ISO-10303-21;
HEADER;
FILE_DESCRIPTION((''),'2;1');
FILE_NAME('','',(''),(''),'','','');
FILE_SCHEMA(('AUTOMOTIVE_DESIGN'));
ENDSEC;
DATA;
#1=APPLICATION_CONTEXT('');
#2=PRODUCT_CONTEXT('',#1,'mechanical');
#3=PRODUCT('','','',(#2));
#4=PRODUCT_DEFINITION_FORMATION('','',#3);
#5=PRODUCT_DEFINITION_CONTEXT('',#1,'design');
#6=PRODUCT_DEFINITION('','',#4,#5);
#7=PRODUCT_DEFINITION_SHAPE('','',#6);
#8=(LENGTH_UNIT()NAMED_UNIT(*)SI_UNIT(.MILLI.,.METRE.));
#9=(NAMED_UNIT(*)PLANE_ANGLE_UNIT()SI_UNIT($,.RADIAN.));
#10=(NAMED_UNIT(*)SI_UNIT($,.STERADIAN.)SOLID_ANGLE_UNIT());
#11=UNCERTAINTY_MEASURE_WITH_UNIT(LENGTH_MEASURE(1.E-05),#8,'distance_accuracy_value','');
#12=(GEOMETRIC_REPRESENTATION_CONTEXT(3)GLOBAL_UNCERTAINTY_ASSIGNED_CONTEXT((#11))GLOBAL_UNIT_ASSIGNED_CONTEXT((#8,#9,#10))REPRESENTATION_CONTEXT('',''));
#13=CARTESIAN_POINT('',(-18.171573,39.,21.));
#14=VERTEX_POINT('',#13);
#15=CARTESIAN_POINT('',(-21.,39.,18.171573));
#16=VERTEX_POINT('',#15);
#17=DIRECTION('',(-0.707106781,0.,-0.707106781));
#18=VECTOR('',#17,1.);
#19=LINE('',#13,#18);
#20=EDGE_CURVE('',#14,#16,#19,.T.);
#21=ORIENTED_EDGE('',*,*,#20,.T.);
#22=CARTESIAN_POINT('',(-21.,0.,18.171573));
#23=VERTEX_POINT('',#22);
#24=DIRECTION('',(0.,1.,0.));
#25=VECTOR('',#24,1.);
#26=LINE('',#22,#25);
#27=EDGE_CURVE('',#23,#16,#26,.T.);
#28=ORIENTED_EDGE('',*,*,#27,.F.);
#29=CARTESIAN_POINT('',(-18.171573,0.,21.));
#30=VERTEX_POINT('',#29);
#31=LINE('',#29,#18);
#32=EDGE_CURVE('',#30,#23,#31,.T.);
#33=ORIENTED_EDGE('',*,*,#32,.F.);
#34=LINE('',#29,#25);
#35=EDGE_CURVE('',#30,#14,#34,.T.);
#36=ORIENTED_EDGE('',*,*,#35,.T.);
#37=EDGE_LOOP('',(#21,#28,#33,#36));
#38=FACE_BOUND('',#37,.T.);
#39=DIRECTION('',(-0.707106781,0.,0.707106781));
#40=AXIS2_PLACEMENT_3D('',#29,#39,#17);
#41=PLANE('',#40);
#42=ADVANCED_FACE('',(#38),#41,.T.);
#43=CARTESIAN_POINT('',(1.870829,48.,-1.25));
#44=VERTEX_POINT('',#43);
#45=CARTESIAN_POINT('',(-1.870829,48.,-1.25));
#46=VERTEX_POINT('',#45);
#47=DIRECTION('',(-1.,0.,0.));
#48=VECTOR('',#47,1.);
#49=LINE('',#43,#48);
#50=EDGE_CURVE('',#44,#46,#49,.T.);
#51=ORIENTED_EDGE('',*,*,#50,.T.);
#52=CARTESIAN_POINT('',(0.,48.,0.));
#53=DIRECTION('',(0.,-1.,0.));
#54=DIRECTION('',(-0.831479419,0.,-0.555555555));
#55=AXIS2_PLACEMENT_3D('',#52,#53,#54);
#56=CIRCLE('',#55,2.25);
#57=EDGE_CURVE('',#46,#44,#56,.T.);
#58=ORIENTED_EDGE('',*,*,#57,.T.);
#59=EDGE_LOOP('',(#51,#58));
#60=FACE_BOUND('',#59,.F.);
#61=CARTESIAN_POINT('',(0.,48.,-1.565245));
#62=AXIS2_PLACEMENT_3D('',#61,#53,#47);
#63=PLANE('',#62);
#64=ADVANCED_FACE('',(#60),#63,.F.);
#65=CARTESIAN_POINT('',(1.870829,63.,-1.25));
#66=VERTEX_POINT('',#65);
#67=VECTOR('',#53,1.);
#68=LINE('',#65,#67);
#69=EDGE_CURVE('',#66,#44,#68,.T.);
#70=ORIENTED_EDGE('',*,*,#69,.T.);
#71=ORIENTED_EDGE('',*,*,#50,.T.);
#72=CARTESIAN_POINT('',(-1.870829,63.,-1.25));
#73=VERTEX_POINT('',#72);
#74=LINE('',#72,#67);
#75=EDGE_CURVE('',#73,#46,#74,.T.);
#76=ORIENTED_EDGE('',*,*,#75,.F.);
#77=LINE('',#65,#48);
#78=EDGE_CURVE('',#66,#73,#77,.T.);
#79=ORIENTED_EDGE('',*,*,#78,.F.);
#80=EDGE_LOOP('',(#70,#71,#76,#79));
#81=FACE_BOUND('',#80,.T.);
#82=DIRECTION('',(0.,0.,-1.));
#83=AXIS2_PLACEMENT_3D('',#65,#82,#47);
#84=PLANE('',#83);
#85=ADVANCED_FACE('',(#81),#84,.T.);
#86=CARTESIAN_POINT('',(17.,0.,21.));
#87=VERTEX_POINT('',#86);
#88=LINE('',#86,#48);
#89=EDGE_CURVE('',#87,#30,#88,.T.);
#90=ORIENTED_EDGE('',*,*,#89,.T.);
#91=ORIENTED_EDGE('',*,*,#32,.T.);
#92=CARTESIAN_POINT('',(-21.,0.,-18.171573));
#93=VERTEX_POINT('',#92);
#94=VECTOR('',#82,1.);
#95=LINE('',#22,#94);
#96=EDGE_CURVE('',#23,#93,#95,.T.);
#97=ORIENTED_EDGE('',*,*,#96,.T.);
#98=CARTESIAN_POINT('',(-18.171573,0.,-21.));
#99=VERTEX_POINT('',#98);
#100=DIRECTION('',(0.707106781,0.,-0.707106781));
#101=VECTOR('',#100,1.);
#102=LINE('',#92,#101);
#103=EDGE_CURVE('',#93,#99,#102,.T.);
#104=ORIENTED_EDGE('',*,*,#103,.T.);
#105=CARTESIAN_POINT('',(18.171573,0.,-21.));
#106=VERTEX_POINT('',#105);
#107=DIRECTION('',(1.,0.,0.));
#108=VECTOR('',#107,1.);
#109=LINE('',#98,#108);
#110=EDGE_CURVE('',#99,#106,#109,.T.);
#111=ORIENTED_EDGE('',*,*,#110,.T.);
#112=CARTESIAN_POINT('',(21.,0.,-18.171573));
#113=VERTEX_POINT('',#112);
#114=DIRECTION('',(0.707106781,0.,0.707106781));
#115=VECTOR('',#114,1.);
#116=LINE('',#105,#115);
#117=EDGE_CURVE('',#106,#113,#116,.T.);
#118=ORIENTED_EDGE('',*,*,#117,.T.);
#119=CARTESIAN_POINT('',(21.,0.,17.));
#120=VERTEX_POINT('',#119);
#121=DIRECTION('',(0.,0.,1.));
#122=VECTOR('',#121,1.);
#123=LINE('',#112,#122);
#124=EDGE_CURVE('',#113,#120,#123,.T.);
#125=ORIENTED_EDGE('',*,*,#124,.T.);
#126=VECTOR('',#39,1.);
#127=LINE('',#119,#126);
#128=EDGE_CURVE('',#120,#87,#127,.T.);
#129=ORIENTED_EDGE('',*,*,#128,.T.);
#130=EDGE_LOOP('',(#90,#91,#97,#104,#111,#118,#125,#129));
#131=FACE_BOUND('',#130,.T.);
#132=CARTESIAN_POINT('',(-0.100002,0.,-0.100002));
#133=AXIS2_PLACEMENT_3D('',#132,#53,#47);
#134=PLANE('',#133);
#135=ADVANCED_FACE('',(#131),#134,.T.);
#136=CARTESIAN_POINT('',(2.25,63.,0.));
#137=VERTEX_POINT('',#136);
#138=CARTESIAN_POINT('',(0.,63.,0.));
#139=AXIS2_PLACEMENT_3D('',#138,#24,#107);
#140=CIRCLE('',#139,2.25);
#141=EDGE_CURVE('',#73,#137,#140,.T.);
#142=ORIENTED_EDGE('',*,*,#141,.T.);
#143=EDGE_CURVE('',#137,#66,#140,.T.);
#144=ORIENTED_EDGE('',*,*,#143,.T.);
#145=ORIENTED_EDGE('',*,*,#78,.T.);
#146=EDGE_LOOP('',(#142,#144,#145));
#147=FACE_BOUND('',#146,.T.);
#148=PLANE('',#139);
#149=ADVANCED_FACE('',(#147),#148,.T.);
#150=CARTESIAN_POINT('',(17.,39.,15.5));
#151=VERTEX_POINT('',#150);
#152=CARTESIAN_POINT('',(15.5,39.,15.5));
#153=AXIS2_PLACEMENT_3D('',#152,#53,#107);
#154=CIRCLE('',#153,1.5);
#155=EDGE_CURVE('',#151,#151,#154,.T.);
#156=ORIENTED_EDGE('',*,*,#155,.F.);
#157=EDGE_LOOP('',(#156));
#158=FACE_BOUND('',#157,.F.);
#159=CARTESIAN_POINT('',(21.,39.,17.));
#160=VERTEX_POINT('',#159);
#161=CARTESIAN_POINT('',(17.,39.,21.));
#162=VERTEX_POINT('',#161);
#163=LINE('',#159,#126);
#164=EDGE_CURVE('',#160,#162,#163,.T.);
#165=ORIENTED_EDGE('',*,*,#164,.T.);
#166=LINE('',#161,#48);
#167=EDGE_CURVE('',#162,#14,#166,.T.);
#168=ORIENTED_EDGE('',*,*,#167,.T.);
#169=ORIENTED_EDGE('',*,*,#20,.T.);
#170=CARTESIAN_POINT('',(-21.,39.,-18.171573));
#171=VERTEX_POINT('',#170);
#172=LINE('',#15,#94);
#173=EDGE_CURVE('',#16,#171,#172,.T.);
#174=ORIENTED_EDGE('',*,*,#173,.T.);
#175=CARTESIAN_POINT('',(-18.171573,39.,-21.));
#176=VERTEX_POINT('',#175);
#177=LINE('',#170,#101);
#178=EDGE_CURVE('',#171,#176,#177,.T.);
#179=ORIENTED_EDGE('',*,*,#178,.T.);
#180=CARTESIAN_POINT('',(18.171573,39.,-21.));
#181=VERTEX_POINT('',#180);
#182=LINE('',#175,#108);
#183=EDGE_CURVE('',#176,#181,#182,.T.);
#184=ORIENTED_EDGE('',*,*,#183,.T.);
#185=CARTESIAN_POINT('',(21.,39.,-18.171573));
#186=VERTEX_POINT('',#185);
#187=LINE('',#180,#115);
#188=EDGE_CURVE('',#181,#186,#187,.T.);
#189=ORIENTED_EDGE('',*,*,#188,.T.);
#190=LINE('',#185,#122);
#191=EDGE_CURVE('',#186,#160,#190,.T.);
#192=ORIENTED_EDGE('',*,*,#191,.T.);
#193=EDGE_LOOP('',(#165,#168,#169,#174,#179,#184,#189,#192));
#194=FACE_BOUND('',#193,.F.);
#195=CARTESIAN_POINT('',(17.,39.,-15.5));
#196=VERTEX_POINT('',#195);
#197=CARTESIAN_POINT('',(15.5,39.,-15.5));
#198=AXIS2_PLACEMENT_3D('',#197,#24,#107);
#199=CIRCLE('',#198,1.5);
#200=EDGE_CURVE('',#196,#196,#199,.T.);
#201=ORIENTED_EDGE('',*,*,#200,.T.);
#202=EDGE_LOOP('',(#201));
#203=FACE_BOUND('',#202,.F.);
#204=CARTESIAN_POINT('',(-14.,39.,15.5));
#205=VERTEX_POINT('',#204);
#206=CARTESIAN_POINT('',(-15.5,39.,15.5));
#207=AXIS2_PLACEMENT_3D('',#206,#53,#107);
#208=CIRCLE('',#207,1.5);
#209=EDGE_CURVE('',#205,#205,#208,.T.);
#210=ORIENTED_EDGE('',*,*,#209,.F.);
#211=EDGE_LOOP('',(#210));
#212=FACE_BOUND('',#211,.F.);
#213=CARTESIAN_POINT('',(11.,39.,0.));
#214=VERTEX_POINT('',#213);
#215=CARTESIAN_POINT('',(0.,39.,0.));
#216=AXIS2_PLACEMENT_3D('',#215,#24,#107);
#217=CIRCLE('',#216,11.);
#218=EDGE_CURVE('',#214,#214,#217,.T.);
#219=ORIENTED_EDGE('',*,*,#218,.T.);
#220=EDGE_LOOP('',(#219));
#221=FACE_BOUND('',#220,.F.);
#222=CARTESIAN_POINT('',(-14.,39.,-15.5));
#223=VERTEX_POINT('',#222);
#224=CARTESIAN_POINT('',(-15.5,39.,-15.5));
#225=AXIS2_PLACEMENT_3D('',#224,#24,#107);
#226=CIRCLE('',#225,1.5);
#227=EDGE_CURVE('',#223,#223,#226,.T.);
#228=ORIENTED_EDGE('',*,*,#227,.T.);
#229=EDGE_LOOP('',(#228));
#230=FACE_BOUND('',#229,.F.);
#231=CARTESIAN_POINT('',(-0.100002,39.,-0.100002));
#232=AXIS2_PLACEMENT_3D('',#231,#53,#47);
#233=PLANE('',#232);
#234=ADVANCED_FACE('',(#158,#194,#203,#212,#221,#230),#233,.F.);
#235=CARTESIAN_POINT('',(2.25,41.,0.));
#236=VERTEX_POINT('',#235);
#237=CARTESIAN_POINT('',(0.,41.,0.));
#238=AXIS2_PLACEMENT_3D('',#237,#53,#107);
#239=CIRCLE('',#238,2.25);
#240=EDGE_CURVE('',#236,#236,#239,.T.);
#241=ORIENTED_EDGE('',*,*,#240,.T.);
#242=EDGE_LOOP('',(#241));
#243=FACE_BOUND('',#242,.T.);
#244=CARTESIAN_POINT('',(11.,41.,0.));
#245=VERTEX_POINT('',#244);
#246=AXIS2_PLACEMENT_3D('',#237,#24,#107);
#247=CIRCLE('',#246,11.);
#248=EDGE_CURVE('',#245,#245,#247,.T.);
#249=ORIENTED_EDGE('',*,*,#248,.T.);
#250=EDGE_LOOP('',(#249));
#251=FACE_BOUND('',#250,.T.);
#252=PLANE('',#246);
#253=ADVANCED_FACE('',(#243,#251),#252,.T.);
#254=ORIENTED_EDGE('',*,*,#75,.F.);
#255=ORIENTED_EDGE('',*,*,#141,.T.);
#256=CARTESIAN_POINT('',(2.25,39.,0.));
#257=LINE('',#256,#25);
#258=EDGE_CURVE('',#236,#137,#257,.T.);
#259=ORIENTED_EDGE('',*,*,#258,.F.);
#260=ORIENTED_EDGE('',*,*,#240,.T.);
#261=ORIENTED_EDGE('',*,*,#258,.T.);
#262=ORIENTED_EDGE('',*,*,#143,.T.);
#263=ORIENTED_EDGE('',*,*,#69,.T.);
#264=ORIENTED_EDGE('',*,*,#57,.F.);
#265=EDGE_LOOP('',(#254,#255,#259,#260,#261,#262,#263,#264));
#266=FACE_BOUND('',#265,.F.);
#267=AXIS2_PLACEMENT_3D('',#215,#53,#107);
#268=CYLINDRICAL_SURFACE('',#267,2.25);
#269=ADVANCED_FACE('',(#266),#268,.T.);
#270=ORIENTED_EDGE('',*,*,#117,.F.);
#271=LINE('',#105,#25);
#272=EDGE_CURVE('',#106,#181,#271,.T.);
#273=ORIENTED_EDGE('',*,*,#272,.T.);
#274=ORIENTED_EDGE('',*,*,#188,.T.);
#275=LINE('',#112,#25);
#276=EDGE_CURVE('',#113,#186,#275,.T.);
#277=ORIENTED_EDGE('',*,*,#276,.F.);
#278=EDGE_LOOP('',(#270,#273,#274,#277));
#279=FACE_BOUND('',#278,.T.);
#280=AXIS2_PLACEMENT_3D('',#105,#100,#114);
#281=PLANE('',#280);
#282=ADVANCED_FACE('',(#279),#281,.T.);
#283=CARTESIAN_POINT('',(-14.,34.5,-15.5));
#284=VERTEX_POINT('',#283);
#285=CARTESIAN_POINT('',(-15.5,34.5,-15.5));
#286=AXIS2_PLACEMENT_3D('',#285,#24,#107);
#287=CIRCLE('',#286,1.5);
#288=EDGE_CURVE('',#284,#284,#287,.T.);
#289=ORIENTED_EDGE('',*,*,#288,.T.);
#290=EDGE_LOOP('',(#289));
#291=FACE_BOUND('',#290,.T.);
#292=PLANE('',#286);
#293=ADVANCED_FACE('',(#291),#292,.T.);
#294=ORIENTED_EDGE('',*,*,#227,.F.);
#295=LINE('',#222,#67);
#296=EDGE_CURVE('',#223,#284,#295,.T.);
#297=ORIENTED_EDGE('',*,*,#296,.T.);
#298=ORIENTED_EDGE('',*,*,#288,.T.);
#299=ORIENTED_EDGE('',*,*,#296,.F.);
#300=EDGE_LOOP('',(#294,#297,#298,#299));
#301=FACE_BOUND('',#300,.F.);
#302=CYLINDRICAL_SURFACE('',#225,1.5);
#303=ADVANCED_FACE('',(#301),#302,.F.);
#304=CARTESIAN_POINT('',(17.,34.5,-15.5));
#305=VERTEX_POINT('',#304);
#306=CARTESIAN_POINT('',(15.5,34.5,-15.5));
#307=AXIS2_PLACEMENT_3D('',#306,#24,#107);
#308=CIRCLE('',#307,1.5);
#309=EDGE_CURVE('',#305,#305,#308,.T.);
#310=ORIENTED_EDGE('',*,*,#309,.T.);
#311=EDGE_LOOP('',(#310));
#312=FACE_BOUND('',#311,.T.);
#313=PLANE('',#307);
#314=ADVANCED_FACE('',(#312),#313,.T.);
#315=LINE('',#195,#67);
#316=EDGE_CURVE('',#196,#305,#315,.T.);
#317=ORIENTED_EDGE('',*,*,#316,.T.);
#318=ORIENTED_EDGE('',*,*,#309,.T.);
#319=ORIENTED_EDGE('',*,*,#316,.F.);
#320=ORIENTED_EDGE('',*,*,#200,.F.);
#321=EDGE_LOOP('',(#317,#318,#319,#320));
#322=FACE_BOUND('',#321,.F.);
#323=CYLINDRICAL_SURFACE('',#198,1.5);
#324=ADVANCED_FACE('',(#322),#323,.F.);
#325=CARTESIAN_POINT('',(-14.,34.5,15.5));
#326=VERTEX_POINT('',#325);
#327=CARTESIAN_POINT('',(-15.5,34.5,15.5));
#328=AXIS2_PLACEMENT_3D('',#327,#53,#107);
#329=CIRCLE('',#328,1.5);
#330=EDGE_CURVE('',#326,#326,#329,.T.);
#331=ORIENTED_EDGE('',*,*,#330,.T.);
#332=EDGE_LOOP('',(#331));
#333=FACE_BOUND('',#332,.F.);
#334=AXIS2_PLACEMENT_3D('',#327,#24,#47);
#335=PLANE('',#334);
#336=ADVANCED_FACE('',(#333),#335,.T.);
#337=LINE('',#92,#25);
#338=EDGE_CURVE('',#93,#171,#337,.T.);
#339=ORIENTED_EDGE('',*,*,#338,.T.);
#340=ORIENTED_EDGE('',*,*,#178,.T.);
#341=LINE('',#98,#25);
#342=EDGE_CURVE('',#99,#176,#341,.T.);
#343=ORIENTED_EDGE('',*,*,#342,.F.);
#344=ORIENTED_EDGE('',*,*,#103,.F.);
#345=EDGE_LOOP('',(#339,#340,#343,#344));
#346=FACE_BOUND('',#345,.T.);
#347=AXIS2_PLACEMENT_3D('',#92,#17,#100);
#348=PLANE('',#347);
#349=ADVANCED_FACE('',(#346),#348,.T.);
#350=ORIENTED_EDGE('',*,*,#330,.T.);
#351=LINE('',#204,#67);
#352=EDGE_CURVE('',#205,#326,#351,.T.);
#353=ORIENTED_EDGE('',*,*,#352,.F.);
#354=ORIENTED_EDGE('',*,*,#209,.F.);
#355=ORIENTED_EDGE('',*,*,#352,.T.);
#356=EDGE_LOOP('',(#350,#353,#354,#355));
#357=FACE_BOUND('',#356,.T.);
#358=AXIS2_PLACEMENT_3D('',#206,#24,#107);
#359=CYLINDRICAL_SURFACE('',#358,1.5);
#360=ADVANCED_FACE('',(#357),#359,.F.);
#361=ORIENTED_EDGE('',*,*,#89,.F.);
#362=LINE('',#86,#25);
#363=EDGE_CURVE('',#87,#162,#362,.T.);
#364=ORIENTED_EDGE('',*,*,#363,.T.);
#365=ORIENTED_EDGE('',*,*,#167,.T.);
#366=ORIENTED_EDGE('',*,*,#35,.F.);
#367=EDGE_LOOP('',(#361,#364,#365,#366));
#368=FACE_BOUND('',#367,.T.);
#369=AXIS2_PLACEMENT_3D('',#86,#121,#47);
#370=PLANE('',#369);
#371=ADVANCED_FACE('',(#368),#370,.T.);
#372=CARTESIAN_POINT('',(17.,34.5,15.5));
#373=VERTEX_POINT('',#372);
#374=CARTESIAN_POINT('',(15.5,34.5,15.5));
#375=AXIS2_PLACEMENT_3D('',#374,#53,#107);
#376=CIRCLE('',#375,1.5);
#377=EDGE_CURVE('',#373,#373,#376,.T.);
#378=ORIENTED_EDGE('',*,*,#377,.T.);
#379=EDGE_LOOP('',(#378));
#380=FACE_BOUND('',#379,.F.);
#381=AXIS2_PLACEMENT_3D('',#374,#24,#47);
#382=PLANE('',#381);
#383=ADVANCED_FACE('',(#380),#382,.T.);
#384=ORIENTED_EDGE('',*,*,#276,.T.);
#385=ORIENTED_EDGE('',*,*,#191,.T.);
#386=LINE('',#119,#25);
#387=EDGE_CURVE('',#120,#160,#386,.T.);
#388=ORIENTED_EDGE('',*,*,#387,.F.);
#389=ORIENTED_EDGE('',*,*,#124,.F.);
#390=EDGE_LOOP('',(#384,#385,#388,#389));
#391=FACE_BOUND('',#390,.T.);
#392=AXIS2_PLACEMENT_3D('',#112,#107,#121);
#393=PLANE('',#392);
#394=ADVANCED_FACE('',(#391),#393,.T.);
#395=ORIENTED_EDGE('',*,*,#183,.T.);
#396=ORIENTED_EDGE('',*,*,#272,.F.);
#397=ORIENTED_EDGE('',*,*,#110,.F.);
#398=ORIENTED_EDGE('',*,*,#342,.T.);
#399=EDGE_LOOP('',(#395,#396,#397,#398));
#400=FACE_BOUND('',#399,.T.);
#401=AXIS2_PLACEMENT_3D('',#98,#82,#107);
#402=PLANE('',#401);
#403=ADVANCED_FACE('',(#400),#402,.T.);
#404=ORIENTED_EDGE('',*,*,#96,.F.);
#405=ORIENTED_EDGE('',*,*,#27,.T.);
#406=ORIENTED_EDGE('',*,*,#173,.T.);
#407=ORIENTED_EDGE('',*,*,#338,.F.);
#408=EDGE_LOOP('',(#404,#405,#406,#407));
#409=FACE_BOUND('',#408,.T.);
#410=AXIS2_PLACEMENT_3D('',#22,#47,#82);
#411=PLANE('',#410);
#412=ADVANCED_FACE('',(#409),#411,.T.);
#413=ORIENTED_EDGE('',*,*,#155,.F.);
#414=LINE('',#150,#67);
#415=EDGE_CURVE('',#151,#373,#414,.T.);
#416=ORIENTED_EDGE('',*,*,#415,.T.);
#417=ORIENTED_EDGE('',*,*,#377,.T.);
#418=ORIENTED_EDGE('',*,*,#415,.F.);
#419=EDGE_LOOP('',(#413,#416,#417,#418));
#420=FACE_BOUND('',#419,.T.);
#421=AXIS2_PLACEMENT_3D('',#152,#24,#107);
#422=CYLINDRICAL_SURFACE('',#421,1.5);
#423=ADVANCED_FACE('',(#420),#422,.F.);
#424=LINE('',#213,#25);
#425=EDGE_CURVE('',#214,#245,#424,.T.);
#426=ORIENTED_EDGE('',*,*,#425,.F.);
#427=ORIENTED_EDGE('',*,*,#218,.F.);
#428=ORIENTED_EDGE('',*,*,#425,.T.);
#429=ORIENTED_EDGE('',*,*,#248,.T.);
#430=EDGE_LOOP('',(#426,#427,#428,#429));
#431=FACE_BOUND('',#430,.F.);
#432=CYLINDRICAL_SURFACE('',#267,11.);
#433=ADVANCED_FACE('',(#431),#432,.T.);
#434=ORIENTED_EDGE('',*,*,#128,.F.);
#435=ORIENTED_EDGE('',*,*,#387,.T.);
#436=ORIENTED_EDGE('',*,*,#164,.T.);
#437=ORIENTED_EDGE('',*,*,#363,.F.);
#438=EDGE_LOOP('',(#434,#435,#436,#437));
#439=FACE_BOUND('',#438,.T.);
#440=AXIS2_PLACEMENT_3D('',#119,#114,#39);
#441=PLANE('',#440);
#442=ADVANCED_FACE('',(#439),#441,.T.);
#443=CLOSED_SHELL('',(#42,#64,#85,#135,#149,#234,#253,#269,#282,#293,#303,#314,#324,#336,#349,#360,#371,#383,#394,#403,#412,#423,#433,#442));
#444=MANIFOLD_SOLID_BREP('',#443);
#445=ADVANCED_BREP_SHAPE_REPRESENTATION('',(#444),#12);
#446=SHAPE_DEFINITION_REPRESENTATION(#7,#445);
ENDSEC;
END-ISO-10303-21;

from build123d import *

# Parameters (mm, degrees)
BOSS_EXTRUDE1_DEPTH = 39
SKETCH2_R           = 2.25
BOSS_EXTRUDE2_DEPTH = 24
SKETCH3_R           = 11
BOSS_EXTRUDE3_DEPTH = 2
SKETCH4_R           = 1.5
CUT_EXTRUDE1_DEPTH  = 4.5
CUT_EXTRUDE2_DEPTH  = 15


with BuildPart() as part:
    # Sketch1 → Boss-Extrude1 (new body)
    with BuildSketch(Plane(origin=(0, 0, 0), x_dir=(1, 0, 0), z_dir=(0, 1, 0))):
        Polygon((-21, 18.171572875), (-18.171572875, 21), (18.171572875, 21), (21, 18.171572875), (21, -17), (17, -21), (-18.171572875, -21), (-21, -18.171572875), align=None)
    extrude(amount=BOSS_EXTRUDE1_DEPTH)

    # Sketch2 → Boss-Extrude2 (add)
    with BuildSketch(Plane(origin=(0, 39, 0), x_dir=(1, 0, 0), z_dir=(0, 1, 0))):
        Circle(SKETCH2_R)
    extrude(amount=BOSS_EXTRUDE2_DEPTH)

    # Sketch3 → Boss-Extrude3 (add)
    with BuildSketch(Plane(origin=(0, 39, 0), x_dir=(1, 0, 0), z_dir=(0, 1, 0))):
        Circle(SKETCH3_R)
    extrude(amount=BOSS_EXTRUDE3_DEPTH)

    # Sketch4 → Cut-Extrude1 (cut)
    with BuildSketch(Plane(origin=(0, 39, 0), x_dir=(1, 0, 0), z_dir=(0, 1, 0))):
        with Locations((-15.5, 15.5)):
            Circle(SKETCH4_R)
        with Locations((15.5, 15.5)):
            Circle(SKETCH4_R)
    cut_extrude1 = extrude(amount=-CUT_EXTRUDE1_DEPTH, mode=Mode.SUBTRACT)

    # Mirror1: Cut-Extrude1 across plane
    add(cut_extrude1.mirror(Plane.XY), mode=Mode.SUBTRACT)

    # Sketch5 → Cut-Extrude2 (cut)
    with BuildSketch(Plane(origin=(0, 63, 0), x_dir=(1, 0, 0), z_dir=(0, 1, 0))):
        with BuildLine():
            Line((1.870828693, 1.25), (-1.870828693, 1.25))
            ThreePointArc((-1.870828693, 1.25), (0, 2.25), (1.870828693, 1.25))
        make_face()
    extrude(amount=-CUT_EXTRUDE2_DEPTH, mode=Mode.SUBTRACT)


solid = part.part
